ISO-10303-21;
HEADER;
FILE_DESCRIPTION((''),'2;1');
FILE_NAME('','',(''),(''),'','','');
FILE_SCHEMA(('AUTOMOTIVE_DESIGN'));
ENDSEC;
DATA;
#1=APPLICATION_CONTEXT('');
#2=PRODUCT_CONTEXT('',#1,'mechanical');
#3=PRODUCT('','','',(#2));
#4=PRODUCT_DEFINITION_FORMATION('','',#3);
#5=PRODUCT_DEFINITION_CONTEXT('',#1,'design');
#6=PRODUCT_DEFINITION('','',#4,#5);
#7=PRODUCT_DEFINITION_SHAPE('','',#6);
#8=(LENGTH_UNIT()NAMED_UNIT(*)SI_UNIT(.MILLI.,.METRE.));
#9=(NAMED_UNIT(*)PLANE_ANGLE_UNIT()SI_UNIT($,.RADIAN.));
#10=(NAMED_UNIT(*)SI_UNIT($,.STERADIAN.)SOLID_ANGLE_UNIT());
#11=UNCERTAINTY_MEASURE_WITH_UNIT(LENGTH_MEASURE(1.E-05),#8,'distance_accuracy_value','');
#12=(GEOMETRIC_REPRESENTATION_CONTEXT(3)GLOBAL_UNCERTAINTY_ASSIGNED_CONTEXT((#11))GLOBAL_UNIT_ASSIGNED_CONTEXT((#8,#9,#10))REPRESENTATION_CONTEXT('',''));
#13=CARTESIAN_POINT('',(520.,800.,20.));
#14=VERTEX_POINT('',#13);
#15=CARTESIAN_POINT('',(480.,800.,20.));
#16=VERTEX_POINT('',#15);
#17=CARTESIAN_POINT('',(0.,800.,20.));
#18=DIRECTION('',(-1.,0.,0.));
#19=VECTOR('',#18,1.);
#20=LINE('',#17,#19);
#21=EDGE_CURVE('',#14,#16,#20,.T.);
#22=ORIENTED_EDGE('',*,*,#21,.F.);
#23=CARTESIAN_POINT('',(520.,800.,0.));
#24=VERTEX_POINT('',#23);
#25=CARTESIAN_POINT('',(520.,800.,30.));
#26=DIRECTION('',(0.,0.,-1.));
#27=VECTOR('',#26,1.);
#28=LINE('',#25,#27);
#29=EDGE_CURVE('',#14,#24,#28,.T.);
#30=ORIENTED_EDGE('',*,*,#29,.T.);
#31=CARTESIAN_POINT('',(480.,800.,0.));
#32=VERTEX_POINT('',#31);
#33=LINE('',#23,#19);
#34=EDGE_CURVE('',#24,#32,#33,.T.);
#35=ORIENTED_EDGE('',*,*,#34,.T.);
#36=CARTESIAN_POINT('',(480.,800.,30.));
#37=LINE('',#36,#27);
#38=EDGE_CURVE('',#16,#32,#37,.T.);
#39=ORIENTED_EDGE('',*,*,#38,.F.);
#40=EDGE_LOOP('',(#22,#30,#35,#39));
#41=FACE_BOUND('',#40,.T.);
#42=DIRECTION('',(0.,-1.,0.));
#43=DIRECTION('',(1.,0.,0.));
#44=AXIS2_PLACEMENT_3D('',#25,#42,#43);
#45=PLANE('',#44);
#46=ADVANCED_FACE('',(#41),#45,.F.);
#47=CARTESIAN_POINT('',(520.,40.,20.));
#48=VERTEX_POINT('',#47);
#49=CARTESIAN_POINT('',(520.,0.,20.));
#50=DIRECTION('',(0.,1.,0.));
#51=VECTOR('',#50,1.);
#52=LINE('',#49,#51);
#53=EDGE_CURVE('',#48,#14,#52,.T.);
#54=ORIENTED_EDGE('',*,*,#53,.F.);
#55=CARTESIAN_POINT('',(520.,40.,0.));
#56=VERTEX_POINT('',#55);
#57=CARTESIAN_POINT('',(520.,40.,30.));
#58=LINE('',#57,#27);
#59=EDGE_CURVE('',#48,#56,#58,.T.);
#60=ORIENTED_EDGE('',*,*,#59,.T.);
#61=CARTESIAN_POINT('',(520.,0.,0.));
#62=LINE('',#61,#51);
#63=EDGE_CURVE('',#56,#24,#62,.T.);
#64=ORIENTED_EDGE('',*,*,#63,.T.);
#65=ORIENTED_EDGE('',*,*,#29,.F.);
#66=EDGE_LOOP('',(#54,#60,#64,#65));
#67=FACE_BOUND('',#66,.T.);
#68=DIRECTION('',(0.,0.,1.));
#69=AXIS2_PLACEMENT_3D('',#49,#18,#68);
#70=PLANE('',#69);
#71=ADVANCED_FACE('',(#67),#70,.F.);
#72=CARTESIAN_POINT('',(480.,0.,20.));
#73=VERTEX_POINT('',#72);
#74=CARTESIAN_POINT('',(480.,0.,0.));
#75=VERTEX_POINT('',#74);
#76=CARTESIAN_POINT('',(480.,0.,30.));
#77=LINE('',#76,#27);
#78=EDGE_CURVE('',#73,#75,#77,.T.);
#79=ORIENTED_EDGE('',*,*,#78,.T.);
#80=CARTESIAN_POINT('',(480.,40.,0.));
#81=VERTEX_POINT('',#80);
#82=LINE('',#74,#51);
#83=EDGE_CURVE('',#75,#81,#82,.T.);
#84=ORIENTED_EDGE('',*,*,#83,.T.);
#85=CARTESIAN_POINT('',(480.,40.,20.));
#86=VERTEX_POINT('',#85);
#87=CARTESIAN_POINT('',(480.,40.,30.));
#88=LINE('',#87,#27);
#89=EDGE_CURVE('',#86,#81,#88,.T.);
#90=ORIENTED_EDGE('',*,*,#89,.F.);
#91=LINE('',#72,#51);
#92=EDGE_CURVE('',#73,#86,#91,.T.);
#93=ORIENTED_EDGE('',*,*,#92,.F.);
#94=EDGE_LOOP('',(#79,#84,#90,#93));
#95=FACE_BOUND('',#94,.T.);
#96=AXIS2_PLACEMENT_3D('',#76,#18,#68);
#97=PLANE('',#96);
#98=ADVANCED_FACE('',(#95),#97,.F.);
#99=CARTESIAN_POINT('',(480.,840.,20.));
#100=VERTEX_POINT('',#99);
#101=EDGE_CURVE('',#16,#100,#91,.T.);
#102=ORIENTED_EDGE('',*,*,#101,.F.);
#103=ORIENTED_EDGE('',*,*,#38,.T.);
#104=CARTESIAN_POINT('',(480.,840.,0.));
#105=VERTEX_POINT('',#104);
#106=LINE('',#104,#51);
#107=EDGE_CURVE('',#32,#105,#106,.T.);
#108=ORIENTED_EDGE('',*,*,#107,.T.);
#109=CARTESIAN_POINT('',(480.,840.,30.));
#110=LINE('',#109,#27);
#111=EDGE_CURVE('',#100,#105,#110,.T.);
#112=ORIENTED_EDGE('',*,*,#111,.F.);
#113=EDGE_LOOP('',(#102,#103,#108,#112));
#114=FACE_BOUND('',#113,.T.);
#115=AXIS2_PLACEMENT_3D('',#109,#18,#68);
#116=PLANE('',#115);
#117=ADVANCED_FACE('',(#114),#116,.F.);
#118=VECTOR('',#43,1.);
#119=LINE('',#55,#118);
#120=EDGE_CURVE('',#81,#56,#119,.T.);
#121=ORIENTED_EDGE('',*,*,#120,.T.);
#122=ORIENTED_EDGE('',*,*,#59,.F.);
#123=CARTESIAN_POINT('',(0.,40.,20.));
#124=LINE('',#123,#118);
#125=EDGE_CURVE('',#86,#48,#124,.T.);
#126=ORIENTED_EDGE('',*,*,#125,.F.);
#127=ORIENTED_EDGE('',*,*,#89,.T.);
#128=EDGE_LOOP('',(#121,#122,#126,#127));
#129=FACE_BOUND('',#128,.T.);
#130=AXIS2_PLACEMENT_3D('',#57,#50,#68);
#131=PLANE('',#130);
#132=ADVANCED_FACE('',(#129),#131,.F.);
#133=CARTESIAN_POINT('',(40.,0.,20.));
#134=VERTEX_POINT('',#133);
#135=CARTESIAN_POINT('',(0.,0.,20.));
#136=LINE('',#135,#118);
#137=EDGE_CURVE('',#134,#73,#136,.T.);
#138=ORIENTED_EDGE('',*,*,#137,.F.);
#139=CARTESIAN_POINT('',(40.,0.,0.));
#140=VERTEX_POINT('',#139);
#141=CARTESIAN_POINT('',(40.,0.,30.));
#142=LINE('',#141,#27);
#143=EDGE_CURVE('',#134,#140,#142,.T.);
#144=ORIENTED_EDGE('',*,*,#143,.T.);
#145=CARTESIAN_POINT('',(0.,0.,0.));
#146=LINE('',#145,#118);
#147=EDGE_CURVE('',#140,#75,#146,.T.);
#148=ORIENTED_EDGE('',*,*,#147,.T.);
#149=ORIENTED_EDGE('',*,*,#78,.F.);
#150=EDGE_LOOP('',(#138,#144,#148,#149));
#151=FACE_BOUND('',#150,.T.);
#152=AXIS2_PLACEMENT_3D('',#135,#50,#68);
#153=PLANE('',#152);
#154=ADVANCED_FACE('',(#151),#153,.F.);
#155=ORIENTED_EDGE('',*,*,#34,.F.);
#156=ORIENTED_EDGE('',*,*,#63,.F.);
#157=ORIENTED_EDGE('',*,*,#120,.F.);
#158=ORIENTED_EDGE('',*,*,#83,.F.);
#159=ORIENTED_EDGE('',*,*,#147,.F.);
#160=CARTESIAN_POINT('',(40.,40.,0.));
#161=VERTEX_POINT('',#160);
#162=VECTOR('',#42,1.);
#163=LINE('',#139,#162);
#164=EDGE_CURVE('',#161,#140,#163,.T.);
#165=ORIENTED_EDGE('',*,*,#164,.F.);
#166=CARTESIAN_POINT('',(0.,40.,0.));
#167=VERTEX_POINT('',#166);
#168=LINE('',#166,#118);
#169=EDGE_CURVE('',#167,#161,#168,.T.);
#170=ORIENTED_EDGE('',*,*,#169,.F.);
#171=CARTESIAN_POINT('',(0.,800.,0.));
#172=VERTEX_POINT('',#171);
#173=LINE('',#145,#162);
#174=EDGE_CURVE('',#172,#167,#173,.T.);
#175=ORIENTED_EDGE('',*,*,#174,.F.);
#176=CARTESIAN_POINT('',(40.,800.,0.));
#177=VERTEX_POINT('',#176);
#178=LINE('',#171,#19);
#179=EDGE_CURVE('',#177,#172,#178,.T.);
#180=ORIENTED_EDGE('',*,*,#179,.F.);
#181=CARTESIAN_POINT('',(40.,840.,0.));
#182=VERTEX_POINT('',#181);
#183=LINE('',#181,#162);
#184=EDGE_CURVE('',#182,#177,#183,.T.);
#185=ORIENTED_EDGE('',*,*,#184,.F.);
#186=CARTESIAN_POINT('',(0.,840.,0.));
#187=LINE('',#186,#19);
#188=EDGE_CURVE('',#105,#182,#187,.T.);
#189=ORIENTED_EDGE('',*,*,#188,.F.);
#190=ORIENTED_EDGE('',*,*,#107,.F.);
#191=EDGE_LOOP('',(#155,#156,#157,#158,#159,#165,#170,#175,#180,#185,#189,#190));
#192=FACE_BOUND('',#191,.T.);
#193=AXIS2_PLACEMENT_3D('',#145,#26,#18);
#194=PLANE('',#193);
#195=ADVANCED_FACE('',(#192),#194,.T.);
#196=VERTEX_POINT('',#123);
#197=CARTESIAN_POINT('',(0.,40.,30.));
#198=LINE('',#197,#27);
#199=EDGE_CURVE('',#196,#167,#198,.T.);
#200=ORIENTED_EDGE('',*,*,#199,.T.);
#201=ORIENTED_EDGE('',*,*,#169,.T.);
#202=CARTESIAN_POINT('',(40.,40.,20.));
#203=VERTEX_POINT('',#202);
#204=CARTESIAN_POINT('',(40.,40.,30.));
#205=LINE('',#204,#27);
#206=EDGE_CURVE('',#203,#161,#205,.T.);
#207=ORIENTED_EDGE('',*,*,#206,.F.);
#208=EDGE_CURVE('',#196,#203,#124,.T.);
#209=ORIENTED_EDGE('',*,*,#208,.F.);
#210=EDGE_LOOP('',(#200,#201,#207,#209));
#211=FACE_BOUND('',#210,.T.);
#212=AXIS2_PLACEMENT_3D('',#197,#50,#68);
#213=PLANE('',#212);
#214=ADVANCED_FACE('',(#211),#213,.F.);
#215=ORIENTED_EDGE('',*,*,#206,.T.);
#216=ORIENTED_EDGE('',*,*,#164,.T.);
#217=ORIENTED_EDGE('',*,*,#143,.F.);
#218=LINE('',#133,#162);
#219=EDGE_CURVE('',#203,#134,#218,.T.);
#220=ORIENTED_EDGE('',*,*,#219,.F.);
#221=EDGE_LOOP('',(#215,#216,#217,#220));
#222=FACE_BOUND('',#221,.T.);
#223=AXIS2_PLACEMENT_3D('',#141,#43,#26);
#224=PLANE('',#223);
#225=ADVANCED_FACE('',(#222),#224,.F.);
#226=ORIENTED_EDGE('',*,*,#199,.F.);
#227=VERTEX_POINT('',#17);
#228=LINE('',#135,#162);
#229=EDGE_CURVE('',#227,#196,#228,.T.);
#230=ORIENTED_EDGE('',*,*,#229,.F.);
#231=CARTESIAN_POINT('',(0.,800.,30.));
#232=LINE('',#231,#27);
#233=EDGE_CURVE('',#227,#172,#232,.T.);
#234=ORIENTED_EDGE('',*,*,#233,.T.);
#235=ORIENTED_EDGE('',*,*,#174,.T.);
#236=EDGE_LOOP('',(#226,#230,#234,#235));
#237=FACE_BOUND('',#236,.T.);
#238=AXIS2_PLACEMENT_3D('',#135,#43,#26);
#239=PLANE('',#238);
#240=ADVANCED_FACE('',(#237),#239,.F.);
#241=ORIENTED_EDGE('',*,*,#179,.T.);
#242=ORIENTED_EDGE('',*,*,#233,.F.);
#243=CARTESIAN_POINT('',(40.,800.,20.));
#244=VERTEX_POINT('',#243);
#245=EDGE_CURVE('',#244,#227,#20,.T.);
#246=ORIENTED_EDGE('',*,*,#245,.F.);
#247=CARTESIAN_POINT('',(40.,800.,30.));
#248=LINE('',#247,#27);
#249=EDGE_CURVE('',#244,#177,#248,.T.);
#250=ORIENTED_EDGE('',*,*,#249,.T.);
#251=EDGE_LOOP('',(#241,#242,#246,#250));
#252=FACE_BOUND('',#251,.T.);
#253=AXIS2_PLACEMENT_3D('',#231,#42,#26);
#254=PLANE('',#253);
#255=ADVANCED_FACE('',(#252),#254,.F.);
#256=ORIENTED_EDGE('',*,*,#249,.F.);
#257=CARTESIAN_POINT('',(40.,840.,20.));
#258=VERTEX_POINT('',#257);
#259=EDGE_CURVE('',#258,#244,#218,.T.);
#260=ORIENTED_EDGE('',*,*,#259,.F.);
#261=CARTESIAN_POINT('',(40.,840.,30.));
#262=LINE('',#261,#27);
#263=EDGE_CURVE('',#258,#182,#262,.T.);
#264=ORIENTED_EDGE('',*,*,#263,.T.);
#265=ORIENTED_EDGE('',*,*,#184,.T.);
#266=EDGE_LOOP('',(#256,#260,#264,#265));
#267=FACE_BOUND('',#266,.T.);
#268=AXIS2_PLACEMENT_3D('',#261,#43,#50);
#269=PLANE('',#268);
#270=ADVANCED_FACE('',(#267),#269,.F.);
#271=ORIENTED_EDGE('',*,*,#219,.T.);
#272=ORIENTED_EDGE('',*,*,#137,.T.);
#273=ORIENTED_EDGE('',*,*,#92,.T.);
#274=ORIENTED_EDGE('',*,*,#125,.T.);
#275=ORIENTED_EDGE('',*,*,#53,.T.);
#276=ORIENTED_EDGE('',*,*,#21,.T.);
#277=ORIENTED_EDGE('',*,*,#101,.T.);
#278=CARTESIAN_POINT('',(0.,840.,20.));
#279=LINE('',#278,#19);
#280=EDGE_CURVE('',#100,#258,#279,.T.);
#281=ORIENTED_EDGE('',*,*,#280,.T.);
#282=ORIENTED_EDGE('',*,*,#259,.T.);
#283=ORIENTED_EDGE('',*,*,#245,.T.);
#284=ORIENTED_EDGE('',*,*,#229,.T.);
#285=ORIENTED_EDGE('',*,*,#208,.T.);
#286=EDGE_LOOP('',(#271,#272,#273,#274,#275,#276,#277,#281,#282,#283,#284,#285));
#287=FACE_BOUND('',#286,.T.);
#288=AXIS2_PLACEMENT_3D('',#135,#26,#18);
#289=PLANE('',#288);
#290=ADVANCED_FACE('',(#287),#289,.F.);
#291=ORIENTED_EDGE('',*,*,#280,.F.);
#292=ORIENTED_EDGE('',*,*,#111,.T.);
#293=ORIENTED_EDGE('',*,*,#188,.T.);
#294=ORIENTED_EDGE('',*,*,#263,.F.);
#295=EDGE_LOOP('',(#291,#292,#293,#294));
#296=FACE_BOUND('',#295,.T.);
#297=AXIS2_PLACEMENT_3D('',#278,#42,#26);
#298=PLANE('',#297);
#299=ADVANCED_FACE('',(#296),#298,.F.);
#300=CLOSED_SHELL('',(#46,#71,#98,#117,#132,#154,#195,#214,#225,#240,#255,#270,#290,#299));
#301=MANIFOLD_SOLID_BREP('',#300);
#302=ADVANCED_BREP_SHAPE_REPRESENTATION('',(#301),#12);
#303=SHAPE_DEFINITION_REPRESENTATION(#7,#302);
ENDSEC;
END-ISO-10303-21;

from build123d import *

# Parameters (mm, degrees)
SKETCH2_W           = 520
SKETCH2_H           = 840
BOSS_EXTRUDE1_DEPTH = 20
SKETCH3_W           = 40
SKETCH3_H           = 40
CUT_EXTRUDE1_DEPTH  = 30


with BuildPart() as part:
    # Sketch2 → Boss-Extrude1 (new body)
    with BuildSketch(Plane.XY):
        with Locations((260, 420)):
            Rectangle(SKETCH2_W, SKETCH2_H)
    extrude(amount=BOSS_EXTRUDE1_DEPTH)

    # Sketch3 → Cut-Extrude1 (cut)
    with BuildSketch(Plane(origin=(0, 0, 0), x_dir=(-1, 0, 0), z_dir=(0, 0, -1))):
        with Locations((-500, 820)):
            Rectangle(SKETCH3_W, SKETCH3_H)
        with Locations((-20, 820)):
            Rectangle(SKETCH3_W, SKETCH3_H)
        with Locations((-500, 20)):
            Rectangle(SKETCH3_W, SKETCH3_H)
        with Locations((-20, 20)):
            Rectangle(SKETCH3_W, SKETCH3_H)
    extrude(amount=-CUT_EXTRUDE1_DEPTH, mode=Mode.SUBTRACT)


solid = part.part
